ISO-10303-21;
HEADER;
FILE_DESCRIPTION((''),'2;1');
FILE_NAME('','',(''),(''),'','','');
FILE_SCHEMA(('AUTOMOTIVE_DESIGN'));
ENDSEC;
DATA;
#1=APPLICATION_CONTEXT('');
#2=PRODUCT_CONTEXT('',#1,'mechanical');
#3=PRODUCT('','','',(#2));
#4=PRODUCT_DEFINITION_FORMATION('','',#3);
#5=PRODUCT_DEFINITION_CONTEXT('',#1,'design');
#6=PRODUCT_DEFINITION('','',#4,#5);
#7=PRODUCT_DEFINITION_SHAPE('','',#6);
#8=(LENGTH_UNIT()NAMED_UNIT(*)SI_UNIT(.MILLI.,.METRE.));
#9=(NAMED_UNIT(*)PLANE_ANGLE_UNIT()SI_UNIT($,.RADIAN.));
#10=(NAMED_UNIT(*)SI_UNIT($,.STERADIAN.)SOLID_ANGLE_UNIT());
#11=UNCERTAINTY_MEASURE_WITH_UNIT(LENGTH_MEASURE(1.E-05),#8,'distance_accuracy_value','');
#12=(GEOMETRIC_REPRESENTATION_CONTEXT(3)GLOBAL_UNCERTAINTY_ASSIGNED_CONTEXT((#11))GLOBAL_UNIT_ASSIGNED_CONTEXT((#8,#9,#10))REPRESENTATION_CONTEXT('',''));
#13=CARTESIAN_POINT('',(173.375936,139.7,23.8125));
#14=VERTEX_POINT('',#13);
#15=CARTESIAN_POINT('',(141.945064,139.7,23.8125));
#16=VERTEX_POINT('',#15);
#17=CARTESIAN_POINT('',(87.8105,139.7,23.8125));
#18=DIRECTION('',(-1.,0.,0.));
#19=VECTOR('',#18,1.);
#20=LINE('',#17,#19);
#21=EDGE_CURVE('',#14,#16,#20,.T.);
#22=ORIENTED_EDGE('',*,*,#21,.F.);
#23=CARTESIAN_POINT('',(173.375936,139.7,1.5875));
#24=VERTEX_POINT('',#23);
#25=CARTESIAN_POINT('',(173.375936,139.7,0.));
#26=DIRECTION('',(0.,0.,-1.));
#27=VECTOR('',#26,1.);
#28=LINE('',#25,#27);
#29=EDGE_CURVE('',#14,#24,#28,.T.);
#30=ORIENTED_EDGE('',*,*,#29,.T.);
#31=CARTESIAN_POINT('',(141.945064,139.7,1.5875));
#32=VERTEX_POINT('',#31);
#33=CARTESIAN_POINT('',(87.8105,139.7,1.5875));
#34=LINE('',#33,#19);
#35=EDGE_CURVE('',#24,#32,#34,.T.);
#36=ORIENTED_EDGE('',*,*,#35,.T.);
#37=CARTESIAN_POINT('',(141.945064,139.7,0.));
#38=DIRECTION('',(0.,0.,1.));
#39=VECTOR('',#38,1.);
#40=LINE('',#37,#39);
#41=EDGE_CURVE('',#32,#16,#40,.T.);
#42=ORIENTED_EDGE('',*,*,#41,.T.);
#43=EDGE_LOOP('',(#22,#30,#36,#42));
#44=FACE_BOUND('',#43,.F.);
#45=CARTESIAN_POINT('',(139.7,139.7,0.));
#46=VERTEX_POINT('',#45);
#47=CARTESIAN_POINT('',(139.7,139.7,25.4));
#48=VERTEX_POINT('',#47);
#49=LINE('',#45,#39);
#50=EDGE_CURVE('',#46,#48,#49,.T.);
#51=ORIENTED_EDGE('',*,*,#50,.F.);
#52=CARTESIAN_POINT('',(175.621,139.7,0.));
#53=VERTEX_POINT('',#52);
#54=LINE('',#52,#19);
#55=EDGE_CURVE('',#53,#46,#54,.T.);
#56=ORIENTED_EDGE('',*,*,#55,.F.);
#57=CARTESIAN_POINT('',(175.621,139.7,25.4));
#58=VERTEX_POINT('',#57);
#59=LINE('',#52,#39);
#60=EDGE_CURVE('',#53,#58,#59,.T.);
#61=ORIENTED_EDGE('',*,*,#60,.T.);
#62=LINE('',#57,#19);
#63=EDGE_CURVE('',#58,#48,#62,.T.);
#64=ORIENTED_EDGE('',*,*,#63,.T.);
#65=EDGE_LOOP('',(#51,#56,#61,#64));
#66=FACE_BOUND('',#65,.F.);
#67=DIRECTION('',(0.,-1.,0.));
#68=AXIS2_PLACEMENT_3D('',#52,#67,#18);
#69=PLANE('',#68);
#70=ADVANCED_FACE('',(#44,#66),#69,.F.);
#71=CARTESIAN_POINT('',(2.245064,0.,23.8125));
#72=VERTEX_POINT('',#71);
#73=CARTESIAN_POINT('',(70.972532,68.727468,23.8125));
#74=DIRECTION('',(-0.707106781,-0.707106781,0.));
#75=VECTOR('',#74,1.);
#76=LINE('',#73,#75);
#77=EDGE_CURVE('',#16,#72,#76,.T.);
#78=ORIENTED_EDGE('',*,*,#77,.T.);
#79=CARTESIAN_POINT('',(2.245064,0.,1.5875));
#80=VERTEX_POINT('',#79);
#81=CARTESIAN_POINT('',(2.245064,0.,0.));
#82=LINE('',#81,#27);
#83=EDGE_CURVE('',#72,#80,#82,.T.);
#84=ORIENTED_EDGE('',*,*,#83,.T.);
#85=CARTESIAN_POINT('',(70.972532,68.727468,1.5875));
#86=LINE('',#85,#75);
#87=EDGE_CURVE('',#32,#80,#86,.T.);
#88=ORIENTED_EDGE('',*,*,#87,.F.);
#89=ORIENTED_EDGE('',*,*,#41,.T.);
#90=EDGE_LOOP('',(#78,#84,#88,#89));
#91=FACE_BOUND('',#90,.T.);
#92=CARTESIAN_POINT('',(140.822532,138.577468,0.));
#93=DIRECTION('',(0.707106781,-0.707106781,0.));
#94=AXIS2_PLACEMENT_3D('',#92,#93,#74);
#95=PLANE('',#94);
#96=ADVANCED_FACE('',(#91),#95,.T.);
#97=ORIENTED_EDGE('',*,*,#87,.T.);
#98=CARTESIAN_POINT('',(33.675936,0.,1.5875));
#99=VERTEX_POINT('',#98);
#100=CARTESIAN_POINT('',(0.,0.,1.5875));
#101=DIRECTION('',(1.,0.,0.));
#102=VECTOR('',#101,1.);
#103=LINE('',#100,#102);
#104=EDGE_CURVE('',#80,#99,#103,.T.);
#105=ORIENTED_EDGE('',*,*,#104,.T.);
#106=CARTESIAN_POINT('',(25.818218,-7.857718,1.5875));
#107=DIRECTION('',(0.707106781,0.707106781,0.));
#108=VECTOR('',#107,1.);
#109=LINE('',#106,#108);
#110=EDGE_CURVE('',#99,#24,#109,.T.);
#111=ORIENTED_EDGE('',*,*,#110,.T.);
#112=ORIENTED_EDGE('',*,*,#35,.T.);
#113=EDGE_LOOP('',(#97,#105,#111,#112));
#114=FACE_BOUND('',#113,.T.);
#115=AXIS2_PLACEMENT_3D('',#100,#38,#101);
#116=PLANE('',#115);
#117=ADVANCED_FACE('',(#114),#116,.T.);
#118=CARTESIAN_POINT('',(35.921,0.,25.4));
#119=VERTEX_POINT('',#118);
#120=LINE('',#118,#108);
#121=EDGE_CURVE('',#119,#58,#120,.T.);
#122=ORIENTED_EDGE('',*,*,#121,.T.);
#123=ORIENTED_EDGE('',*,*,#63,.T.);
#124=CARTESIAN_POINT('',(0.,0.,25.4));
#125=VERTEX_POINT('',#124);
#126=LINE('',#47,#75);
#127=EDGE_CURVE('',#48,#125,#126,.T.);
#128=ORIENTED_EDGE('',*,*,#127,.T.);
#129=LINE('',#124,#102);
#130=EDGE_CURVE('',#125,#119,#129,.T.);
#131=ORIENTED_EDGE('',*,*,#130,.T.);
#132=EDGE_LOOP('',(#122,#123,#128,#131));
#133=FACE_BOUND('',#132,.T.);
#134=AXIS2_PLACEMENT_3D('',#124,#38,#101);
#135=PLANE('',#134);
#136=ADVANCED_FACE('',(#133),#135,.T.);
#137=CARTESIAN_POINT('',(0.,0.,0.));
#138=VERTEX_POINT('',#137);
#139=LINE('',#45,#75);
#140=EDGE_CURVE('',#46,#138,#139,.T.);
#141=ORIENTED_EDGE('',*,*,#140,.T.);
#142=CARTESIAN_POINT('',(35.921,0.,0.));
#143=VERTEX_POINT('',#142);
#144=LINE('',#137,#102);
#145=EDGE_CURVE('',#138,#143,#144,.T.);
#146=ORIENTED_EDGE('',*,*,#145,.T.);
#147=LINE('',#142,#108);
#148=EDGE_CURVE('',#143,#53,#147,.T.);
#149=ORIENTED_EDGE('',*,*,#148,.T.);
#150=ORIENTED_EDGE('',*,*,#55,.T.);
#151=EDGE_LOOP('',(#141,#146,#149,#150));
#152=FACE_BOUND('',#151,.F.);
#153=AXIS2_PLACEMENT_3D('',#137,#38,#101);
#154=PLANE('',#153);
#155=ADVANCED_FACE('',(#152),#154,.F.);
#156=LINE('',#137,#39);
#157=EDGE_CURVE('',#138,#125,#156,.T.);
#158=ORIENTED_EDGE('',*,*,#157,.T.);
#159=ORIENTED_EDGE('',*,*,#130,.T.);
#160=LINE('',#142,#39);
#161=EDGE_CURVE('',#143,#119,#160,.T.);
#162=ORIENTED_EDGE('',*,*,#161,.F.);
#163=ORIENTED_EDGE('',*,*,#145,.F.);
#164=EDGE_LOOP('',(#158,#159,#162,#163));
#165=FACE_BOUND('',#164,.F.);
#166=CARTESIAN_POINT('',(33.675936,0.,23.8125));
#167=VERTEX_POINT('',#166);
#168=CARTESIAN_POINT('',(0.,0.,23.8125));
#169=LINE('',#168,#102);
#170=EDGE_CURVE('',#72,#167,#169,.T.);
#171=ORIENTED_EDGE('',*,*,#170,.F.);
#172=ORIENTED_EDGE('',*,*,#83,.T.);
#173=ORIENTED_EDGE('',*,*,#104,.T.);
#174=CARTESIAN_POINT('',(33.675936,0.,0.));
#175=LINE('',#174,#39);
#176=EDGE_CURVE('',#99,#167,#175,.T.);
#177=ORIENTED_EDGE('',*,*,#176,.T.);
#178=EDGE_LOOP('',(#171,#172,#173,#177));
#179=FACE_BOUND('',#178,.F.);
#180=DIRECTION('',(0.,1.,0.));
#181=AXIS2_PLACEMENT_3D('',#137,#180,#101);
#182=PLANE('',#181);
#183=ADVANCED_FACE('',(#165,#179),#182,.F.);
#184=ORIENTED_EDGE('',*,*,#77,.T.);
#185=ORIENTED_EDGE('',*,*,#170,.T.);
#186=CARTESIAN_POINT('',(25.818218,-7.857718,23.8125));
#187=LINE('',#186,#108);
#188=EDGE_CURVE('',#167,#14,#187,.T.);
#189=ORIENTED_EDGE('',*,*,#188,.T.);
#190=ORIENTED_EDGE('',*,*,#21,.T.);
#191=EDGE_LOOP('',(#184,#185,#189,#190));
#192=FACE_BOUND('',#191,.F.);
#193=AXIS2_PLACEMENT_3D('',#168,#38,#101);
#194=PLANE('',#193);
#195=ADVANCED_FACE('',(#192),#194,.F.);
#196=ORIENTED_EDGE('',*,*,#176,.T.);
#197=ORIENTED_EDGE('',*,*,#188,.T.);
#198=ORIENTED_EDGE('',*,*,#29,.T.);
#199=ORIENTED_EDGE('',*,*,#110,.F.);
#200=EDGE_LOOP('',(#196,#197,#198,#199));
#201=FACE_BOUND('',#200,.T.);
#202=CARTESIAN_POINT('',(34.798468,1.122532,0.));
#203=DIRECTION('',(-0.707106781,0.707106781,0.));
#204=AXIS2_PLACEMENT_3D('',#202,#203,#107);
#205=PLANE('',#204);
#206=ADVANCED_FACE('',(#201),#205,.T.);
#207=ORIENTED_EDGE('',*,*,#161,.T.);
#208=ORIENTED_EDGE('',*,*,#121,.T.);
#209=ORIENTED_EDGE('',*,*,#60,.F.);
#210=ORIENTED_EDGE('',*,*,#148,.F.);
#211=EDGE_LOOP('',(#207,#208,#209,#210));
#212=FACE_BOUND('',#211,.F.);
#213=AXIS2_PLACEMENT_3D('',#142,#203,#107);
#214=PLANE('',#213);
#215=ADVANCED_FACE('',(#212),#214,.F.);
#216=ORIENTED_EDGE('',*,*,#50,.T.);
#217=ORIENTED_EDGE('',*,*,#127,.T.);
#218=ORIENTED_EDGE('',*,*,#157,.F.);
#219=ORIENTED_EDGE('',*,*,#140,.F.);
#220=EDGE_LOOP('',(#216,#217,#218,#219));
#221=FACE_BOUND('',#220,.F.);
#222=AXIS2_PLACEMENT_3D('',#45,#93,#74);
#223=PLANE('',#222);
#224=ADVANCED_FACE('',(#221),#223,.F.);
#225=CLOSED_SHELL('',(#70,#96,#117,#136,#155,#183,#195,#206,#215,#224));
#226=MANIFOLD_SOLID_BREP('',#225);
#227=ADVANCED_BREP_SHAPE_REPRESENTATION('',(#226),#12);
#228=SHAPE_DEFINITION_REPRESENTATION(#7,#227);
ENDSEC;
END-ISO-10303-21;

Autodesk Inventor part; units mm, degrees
ref_plane "YZ Plane" through (0, 0, 0) normal (1, 0, 0) x (0, 1, 0)
ref_plane "XZ Plane" through (0, 0, 0) normal (0, 1, 0) x (-1, 0, 0)
ref_plane "XY Plane" through (0, 0, 0) normal (0, 0, 1) x (1, 0, 0)
sketch "Sketch1" plane through (0, 0, 0) normal (0, 0, 1) x (1, 0, 0)
  line L0 (0, 0) -> (35.921, 0)
  line L1 (35.921, 0) -> (175.621, 139.7)
  line L2 (175.621, 139.7) -> (139.7, 139.7)
  line L3 (139.7, 139.7) -> (0, 0)
  dimension "d1" = 25.4
  dimension "d2" = 45
  dimension "d3" = 139.7
extrude "Extrusion1" add sketch "Sketch1" along normal blind 25.4
shell "Shell1" thickness 1.5875 removed faces 2 at (163.6473, 139.7, 16.9333) at (11.9737, 0, 8.4667)
properties part number "Frame_CrossbarAngleSupport_FrontRear_Horizontal" material "Aluminum-6061"
